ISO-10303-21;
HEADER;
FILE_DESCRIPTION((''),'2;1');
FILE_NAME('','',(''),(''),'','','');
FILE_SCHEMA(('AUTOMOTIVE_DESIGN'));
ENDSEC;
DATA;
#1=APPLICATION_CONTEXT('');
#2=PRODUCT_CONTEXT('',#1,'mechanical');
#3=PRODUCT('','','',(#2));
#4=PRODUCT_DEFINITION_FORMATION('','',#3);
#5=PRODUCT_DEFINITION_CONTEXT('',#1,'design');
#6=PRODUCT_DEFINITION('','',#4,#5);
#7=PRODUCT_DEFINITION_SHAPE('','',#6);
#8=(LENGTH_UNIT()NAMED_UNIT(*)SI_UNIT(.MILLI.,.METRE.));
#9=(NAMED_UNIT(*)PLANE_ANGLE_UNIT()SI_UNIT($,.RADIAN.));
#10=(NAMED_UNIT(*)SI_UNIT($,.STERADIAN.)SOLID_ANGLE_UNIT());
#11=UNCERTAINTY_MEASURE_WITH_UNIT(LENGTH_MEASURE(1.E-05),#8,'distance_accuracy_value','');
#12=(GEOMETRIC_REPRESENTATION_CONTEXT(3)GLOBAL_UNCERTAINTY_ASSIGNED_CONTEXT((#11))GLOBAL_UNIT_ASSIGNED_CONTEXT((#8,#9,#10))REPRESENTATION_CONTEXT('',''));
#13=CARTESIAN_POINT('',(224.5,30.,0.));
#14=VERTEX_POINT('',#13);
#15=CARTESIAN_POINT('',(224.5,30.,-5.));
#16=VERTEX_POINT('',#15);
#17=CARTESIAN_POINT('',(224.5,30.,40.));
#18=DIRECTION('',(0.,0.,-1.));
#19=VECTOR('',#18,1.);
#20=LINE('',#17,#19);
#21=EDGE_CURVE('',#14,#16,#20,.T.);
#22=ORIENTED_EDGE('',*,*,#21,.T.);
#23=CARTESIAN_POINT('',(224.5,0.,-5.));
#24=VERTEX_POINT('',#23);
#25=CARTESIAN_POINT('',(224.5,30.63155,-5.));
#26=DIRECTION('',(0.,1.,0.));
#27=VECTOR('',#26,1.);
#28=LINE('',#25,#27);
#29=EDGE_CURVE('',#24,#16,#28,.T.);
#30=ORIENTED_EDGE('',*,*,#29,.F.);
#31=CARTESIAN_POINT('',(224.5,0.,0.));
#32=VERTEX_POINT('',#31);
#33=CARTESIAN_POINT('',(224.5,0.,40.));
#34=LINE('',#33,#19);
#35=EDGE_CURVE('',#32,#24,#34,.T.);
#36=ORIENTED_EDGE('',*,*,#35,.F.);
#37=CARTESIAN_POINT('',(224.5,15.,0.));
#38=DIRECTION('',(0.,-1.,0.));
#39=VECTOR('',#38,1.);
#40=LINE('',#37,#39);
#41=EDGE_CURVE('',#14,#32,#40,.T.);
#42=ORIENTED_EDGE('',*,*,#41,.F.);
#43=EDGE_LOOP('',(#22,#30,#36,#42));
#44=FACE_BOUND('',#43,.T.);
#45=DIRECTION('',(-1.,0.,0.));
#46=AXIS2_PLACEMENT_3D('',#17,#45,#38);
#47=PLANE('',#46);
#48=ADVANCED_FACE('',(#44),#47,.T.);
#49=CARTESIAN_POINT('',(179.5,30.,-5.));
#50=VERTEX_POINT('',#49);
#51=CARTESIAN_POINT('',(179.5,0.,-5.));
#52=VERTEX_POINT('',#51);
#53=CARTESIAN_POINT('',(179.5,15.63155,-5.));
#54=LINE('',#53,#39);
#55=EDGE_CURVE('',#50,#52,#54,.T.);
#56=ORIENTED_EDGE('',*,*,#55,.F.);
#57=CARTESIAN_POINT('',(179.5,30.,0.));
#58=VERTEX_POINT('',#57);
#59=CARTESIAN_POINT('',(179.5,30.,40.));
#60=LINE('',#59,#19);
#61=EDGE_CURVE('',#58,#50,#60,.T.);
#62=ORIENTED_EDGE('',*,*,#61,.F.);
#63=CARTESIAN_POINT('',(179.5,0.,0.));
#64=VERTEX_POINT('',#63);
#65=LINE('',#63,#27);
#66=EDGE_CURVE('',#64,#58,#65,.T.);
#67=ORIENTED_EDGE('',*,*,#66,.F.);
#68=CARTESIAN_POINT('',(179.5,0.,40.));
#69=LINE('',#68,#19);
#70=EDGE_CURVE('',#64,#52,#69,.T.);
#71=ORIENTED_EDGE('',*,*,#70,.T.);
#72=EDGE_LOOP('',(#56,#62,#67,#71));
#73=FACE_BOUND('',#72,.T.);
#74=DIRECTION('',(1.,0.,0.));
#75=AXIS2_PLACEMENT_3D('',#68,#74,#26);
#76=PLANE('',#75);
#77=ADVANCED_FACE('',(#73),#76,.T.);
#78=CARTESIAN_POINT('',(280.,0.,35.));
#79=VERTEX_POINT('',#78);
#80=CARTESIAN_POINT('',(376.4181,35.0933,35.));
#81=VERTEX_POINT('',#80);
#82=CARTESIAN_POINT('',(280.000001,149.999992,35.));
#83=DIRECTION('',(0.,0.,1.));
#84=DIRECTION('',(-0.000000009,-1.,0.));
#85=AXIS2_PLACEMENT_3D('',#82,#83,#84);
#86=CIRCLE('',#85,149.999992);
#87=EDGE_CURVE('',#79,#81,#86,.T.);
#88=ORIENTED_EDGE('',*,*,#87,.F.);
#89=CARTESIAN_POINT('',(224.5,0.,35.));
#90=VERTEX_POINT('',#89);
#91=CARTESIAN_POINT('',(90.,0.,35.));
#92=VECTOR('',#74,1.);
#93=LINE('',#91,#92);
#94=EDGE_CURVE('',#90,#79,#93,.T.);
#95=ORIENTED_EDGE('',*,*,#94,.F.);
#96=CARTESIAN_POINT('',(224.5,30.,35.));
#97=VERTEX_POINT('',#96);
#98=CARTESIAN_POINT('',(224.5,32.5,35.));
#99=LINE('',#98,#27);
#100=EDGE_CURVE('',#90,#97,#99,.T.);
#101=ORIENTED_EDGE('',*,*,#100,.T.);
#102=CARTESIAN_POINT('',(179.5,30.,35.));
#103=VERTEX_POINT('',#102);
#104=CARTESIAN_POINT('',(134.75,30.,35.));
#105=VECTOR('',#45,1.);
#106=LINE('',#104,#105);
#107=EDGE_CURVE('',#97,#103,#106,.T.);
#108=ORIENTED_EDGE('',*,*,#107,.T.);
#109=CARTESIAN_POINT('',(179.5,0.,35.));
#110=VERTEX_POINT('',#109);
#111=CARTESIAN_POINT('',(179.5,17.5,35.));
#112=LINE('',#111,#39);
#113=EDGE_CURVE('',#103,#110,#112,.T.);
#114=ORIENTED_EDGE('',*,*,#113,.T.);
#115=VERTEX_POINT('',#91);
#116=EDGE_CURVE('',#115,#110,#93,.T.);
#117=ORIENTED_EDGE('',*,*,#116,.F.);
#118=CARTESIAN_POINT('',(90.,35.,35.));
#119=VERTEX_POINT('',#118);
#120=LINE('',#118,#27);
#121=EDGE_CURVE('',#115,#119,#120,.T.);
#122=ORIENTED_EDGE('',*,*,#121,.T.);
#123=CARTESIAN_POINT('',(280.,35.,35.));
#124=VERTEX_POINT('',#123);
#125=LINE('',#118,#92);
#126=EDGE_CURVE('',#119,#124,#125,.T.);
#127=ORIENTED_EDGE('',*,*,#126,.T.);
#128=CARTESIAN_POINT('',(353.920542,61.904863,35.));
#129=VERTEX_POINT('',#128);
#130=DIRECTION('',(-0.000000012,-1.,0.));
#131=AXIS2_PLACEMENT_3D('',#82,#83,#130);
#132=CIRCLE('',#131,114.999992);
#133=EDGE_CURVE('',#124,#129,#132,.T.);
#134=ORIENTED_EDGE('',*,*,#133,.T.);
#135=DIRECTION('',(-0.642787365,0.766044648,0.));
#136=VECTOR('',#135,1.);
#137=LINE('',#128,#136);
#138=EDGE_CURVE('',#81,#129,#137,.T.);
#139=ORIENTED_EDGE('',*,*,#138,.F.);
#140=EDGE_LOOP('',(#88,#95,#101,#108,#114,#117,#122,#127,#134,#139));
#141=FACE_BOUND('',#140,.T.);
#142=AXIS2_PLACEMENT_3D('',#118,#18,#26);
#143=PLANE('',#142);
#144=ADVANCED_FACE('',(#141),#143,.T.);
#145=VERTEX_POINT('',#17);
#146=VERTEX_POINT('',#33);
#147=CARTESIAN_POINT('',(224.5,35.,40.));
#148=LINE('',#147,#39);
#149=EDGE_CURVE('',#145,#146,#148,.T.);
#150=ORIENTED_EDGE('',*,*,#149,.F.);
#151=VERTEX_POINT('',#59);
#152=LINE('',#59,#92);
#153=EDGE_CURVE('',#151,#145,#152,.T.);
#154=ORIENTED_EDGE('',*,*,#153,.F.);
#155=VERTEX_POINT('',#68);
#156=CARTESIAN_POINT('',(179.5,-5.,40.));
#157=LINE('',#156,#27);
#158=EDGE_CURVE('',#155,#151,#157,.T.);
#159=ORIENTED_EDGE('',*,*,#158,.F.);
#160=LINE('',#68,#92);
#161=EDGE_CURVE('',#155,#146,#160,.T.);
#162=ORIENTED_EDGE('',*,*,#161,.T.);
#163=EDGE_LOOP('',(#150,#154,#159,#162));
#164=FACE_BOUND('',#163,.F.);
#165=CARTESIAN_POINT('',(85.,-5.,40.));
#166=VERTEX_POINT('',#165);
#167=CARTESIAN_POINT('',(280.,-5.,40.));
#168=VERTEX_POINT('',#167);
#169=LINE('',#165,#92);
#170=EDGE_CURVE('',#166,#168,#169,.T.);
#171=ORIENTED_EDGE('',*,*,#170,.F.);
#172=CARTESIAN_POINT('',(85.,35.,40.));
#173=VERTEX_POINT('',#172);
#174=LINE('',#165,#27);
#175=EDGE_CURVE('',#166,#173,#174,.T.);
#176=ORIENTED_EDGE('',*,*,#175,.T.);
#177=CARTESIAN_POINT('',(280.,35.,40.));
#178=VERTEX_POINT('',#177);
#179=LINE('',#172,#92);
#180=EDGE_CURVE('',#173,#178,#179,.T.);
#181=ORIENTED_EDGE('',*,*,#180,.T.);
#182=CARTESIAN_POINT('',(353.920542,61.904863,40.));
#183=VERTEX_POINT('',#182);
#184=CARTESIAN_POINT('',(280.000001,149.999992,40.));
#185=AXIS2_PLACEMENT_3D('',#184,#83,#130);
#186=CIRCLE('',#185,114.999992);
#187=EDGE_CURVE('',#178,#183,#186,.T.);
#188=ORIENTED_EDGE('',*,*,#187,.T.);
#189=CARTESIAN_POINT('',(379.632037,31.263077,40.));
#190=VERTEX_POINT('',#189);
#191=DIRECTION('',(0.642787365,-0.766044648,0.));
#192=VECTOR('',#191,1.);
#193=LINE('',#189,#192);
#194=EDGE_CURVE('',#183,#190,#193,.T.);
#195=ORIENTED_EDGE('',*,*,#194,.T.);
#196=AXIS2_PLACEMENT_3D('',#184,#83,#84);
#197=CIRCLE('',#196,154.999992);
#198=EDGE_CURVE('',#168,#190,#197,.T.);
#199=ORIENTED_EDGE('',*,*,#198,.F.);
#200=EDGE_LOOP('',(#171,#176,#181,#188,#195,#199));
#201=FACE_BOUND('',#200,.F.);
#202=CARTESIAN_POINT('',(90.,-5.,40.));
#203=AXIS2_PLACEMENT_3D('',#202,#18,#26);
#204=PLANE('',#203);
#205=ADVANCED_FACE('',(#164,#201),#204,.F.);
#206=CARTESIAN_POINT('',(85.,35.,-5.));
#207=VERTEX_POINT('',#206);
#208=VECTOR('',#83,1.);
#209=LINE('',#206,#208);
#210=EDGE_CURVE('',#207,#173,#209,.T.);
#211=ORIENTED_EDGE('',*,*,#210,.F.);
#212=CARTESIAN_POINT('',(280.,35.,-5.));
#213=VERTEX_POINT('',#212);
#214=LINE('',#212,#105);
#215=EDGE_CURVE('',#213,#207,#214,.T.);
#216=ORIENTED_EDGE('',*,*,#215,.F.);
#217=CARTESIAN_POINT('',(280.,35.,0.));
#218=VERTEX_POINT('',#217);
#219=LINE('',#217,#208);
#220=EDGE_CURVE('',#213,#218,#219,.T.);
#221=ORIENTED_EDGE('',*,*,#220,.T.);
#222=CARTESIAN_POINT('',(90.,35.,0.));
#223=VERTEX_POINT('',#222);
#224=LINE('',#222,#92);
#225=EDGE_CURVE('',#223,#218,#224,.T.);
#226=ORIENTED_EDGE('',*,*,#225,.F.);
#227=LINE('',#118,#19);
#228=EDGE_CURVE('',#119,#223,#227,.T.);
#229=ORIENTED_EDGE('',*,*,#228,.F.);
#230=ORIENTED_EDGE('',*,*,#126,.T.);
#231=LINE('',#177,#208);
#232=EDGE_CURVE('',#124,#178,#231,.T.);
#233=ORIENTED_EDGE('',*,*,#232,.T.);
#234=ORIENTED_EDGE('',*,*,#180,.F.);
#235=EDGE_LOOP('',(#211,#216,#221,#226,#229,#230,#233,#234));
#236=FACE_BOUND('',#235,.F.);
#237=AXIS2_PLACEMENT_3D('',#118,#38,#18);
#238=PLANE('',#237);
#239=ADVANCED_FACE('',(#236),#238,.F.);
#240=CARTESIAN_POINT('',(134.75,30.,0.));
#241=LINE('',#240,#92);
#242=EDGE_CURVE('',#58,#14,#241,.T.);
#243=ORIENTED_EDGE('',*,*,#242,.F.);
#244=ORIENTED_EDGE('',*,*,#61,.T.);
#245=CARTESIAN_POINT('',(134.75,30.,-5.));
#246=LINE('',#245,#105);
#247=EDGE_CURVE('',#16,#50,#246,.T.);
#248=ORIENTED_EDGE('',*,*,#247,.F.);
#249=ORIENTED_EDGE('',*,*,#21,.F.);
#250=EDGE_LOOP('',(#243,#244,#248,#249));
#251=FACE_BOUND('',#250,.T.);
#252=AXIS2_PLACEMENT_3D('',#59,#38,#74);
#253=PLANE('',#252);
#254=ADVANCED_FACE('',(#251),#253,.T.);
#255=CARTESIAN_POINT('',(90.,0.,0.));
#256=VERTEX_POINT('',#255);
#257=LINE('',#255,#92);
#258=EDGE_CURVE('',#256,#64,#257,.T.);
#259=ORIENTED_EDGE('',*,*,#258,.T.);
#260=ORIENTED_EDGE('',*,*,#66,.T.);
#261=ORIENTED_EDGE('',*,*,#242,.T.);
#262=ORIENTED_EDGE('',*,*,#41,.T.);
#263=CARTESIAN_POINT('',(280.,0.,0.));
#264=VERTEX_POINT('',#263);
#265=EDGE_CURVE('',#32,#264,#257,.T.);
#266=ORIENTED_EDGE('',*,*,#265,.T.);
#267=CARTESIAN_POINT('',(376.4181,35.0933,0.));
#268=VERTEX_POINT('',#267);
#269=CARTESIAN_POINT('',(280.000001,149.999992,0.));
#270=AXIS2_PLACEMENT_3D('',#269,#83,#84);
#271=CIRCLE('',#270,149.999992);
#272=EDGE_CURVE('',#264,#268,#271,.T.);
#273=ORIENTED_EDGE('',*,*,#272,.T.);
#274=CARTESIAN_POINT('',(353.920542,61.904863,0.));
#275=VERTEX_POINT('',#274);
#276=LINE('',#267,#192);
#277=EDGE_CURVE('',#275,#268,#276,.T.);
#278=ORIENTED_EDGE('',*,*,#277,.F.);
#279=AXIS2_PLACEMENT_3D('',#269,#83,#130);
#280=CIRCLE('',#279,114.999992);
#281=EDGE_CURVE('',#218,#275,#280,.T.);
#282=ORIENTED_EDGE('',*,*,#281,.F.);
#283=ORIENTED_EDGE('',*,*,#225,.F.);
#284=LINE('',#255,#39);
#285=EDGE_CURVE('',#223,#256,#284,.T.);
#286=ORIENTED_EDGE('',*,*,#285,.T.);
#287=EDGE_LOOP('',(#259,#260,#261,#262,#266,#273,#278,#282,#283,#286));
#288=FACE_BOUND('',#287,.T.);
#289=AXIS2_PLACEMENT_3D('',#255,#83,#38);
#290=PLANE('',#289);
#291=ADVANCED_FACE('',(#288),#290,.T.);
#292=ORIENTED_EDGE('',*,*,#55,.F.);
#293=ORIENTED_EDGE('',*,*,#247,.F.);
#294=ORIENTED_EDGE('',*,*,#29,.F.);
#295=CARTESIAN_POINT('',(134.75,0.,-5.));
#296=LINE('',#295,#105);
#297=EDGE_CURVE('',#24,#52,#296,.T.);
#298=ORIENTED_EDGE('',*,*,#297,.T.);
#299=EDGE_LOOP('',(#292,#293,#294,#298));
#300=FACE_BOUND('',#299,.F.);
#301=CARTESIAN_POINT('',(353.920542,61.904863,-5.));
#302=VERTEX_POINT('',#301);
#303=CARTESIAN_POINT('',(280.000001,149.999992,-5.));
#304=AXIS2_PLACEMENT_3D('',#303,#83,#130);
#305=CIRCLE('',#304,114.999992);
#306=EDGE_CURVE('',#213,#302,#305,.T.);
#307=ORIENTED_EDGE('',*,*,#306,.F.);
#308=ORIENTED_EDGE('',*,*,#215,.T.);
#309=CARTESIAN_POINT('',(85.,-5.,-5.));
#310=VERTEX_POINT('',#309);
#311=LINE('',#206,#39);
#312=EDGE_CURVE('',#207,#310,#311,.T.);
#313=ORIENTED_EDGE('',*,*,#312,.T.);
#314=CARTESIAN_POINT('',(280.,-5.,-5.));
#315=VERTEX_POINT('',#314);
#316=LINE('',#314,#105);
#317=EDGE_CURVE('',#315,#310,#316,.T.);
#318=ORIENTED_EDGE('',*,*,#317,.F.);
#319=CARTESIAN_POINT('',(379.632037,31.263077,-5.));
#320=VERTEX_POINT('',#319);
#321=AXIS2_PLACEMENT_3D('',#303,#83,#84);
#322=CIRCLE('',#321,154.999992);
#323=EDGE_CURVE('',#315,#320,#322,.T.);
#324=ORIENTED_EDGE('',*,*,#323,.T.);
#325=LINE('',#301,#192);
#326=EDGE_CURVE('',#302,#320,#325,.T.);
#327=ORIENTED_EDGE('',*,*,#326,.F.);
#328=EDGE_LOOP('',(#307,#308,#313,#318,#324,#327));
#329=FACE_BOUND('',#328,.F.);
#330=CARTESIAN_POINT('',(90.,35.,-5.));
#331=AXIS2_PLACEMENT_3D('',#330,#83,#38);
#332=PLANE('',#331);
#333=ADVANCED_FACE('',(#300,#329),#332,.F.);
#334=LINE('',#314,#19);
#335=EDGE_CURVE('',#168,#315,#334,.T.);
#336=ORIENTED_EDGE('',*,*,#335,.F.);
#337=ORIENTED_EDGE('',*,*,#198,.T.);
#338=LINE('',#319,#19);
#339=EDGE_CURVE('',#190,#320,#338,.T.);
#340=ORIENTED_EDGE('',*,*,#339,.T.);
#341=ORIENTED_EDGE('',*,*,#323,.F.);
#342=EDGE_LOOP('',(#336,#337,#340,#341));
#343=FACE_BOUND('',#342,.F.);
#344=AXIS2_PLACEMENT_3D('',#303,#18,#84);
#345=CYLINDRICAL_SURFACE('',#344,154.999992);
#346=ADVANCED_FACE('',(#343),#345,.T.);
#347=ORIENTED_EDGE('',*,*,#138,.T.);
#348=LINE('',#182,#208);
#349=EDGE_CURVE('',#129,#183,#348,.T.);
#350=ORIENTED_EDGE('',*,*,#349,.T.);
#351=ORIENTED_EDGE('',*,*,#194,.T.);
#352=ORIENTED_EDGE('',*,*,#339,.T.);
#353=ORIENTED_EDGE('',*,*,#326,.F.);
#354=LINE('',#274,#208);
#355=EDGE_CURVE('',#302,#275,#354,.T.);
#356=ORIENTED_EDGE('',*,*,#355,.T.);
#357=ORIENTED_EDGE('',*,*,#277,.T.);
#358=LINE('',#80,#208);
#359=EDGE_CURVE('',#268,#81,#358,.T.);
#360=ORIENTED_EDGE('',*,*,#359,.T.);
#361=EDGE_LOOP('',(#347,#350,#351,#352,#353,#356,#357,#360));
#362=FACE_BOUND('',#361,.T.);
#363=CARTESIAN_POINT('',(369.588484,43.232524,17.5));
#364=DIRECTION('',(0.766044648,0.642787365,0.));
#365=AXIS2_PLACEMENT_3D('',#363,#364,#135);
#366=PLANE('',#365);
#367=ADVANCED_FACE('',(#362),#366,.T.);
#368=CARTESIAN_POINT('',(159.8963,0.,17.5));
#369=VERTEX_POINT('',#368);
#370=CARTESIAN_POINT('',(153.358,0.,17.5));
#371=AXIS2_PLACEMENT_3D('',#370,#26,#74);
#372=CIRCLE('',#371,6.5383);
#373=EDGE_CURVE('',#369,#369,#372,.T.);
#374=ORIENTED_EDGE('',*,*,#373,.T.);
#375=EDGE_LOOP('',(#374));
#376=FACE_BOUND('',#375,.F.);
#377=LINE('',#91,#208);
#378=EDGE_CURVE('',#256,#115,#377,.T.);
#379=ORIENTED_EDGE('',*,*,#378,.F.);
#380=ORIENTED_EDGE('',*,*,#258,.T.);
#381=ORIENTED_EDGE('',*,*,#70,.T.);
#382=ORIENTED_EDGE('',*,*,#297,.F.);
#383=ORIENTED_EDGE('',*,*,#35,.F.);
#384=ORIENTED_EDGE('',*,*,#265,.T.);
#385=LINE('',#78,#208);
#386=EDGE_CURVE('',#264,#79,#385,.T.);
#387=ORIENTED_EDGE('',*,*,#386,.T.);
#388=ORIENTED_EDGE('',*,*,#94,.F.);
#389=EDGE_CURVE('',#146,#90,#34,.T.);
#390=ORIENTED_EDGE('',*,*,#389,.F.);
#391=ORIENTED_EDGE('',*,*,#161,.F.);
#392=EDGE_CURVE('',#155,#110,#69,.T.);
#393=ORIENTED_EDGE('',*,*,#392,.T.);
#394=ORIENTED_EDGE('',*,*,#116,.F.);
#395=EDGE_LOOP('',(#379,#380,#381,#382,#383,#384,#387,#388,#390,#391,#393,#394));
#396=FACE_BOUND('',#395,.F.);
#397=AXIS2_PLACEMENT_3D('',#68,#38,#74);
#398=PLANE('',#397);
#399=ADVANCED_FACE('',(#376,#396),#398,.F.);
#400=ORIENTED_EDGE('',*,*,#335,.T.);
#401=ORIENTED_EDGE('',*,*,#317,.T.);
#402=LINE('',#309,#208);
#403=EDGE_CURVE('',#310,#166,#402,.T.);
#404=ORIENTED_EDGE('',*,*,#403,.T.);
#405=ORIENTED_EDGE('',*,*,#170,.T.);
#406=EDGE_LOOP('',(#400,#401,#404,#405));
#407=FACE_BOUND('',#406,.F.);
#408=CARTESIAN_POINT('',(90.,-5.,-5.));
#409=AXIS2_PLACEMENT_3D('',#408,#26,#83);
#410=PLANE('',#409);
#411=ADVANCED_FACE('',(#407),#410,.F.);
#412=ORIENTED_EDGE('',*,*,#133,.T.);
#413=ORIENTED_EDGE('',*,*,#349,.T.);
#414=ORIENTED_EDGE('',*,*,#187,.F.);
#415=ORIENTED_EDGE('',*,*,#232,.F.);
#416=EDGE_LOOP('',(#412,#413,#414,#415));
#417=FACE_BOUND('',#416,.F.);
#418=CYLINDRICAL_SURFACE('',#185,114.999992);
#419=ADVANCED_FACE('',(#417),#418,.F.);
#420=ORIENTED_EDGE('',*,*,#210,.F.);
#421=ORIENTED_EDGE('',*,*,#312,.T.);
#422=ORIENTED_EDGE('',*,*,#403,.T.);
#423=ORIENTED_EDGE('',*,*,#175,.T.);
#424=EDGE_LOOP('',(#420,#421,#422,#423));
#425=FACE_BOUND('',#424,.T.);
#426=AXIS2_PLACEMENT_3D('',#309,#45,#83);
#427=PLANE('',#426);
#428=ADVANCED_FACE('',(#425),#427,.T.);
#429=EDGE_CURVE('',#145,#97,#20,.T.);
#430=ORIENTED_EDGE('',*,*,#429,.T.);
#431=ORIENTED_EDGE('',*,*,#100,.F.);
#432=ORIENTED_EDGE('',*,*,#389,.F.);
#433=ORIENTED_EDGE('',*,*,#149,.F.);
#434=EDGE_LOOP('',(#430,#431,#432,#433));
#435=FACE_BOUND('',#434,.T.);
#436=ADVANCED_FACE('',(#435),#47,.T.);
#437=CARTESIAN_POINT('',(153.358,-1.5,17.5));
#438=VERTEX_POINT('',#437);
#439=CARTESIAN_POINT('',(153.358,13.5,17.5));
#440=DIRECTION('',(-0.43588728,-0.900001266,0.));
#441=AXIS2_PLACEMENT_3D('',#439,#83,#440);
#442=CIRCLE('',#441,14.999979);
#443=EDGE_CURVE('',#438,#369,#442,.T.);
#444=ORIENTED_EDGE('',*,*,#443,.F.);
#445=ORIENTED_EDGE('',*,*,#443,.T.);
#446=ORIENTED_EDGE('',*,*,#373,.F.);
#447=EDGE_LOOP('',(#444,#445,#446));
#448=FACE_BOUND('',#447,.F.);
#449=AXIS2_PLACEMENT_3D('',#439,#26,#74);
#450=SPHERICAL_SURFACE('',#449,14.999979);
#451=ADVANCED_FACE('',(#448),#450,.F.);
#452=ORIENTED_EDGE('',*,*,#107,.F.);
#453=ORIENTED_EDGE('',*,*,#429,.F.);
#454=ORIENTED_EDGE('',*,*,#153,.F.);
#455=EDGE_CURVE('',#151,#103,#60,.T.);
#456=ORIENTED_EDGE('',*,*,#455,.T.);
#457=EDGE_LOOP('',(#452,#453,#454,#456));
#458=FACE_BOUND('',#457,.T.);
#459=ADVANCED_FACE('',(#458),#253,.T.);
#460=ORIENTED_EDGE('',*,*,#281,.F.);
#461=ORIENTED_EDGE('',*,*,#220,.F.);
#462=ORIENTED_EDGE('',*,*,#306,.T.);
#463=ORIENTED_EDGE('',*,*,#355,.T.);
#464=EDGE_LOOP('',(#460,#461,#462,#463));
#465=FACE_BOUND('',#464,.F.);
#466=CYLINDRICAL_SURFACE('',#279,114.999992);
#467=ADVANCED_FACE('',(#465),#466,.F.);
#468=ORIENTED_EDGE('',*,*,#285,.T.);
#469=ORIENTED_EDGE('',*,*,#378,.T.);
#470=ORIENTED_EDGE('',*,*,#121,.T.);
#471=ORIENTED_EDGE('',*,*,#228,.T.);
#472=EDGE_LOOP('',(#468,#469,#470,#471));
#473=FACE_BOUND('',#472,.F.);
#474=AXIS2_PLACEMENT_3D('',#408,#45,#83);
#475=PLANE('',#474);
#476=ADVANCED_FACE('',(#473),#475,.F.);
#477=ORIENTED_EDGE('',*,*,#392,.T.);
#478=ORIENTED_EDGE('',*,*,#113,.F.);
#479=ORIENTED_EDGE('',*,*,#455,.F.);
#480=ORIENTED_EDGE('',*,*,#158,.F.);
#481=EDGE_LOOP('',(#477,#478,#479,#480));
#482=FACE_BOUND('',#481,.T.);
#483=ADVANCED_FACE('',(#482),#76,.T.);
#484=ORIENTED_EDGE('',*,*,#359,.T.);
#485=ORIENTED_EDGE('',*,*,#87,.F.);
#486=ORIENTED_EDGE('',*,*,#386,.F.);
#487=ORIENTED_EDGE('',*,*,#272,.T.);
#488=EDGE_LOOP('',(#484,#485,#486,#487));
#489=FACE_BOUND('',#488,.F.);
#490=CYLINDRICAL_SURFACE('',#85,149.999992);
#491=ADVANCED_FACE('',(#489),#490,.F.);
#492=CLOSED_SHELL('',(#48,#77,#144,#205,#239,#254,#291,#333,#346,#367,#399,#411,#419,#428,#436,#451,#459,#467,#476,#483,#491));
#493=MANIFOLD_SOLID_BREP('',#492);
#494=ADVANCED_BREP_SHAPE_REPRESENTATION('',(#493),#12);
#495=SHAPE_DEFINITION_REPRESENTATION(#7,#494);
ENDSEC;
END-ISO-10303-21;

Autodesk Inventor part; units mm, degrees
ref_plane "YZ Plane" through (0, 0, 0) normal (1, 0, 0) x (0, 1, 0)
ref_plane "XZ Plane" through (0, 0, 0) normal (0, 1, 0) x (-1, 0, 0)
ref_plane "XY Plane" through (0, 0, 0) normal (0, 0, 1) x (1, 0, 0)
sketch "Sketch1" plane through (0, 0, 0) normal (0, 0, 1) x (1, 0, 0)
  line L0 (90, 0) -> (280, 0)
  arc A0 (280, 0) -> (376.4181, 35.0933) centre (280, 150) ccw
  line L1 (280, 0) -> (376.4181, 35.0933) construction
  line L2 (0, 0) -> (0, 82.2351) construction
  dimension "d0" = 150
  dimension "d4" = 20
  dimension "d6" = 280
  dimension "d19" = 173.0413
  dimension "d64" = 90
ref_plane "Work Plane1" through (0, 0, 0) normal (1, 0, 0) x (0, 1, 0)
sketch "Sketch2" plane through (0, 0, 0) normal (1, 0, 0) x (0, 1, 0)
  line L0 (0, 0) -> (35, 0)
  line L1 (35, 35) -> (0, 35)
  line L2 (0, 35) -> (0, 0)
  line L3 (35, -5) -> (-5, -5)
  line L4 (-5, -5) -> (-5, 40)
  line L5 (-5, 40) -> (35, 40)
  line L6 (35, -5) -> (35, 0)
  line L7 (35, 35) -> (35, 40)
  dimension "d7" = 35
  dimension "d11" = 35
  dimension "d12" = 90
  dimension "d13" = 35
  dimension "d14" = 40
  dimension "d15" = 45
  dimension "d16" = 35
ref_plane "Work Plane4" through (0, -5, 40) normal (0, 0, 1) x (1, 0, 0)
sketch "Sketch3" plane through (0, -5, 40) normal (0, 0, 1) x (1, 0, 0)
  line L0 (179.5, 0) -> (179.5, 40)
  line L1 (179.5, 40) -> (224.5, 40)
  line L2 (224.5, 40) -> (224.5, 0)
  line L3 (224.5, 0) -> (179.5, 0)
  line L4 (179.5, 5) -> (224.5, 5)
  line L5 (179.5, 35) -> (224.5, 35)
  point P0 (0, 5)
  point P1 (0, 0)
  dimension "d20" = 45
  dimension "d21" = 179.5
  dimension "d65" = 40
  dimension "d66" = 30
  dimension "d67" = 5
  dimension "d68" = 30
ref_plane "Work Plane6" through (0, 0, 35) normal (0, 1, 0) x (1, 0, 0)
sketch "Sketch4" plane through (0, 0, 35) normal (0, 1, 0) x (1, 0, 0)
  point P0 (0, 35)
ref_plane "Work Plane2" through (224.5, 0, 17.5) normal (0, 0, 1) x (1, 0, 0)
sketch "Sketch5" plane through (224.5, 0, 17.5) normal (0, 0, 1) x (1, 0, 0)
  arc A0 (-77.6803, 0) -> (-64.6037, 0) centre (-71.142, 13.5) ccw
  line L0 (-224.5, 0) -> (-35.51, 0) projected
  line L1 (-224.5, -5) -> (-224.5, 30) projected
  line L2 (-77.6803, 0) -> (-64.6037, 0)
  line L3 (-71.142, -1.5) -> (-71.142, 0)
  dimension "d44" = 30
  dimension "d45" = 13.5
  dimension "d46" = 153.358
ref_plane "Work Plane7" through (0, 0, 35) normal (0, 1, 0) x (1, 0, 0)
ref_plane "Work Plane5" through (5, 35, 40) normal (0, 1, 0) x (1, 0, 0)
ref_plane "Work Plane3" through (90, 0, 0) normal (1, 0, 0) x (0, 1, 0)
sketch "Sketch8" plane through (90, 0, 0) normal (1, 0, 0) x (0, 1, 0)
  line L0 (31.2631, -5) -> (-5, -5) projected
  line L1 (35, -5) -> (-5, -5)
  line L2 (-5, -5) -> (-5, 40)
  line L3 (-5, 40) -> (35, 40)
  line L4 (35, 40) -> (35, 35)
  line L5 (35, 35) -> (0, 35)
  line L6 (0, 35) -> (0, 0)
  line L7 (0, 0) -> (35, 0)
  line L8 (35, 0) -> (35, -5)
  dimension "d59" = 45
  dimension "d60" = 40
sweep "Sweep3" add profiles "Sketch8" path "Sketch1"
extrude "Extrusion5" cut sketch "Sketch3" against normal through all contours L0 L5 L2 L4
revolve "Revolution2" cut sketch "Sketch5" angle 360 about axis through (153.358, -1.5, 17.5) along (0, 1, 0) picked at (-67.4817, -0.2757) contours L3 L0 A0
sketch "Sketch9" plane through (90, -5, -5) normal (-1, 0, 0) x (0, 0, 1)
  line L0 (0, 40) -> (0, 0)
  line L1 (0, 0) -> (45, 0)
  line L2 (45, 0) -> (45, 40)
  line L3 (45, 40) -> (40, 40)
  line L4 (40, 40) -> (0, 40)
  point P0 (5, 5)
  dimension "d74" = 45
  dimension "d75" = 5
extrude "Extrusion6" add sketch "Sketch9" along normal blind 5
properties part number "Shooting Ramp"
